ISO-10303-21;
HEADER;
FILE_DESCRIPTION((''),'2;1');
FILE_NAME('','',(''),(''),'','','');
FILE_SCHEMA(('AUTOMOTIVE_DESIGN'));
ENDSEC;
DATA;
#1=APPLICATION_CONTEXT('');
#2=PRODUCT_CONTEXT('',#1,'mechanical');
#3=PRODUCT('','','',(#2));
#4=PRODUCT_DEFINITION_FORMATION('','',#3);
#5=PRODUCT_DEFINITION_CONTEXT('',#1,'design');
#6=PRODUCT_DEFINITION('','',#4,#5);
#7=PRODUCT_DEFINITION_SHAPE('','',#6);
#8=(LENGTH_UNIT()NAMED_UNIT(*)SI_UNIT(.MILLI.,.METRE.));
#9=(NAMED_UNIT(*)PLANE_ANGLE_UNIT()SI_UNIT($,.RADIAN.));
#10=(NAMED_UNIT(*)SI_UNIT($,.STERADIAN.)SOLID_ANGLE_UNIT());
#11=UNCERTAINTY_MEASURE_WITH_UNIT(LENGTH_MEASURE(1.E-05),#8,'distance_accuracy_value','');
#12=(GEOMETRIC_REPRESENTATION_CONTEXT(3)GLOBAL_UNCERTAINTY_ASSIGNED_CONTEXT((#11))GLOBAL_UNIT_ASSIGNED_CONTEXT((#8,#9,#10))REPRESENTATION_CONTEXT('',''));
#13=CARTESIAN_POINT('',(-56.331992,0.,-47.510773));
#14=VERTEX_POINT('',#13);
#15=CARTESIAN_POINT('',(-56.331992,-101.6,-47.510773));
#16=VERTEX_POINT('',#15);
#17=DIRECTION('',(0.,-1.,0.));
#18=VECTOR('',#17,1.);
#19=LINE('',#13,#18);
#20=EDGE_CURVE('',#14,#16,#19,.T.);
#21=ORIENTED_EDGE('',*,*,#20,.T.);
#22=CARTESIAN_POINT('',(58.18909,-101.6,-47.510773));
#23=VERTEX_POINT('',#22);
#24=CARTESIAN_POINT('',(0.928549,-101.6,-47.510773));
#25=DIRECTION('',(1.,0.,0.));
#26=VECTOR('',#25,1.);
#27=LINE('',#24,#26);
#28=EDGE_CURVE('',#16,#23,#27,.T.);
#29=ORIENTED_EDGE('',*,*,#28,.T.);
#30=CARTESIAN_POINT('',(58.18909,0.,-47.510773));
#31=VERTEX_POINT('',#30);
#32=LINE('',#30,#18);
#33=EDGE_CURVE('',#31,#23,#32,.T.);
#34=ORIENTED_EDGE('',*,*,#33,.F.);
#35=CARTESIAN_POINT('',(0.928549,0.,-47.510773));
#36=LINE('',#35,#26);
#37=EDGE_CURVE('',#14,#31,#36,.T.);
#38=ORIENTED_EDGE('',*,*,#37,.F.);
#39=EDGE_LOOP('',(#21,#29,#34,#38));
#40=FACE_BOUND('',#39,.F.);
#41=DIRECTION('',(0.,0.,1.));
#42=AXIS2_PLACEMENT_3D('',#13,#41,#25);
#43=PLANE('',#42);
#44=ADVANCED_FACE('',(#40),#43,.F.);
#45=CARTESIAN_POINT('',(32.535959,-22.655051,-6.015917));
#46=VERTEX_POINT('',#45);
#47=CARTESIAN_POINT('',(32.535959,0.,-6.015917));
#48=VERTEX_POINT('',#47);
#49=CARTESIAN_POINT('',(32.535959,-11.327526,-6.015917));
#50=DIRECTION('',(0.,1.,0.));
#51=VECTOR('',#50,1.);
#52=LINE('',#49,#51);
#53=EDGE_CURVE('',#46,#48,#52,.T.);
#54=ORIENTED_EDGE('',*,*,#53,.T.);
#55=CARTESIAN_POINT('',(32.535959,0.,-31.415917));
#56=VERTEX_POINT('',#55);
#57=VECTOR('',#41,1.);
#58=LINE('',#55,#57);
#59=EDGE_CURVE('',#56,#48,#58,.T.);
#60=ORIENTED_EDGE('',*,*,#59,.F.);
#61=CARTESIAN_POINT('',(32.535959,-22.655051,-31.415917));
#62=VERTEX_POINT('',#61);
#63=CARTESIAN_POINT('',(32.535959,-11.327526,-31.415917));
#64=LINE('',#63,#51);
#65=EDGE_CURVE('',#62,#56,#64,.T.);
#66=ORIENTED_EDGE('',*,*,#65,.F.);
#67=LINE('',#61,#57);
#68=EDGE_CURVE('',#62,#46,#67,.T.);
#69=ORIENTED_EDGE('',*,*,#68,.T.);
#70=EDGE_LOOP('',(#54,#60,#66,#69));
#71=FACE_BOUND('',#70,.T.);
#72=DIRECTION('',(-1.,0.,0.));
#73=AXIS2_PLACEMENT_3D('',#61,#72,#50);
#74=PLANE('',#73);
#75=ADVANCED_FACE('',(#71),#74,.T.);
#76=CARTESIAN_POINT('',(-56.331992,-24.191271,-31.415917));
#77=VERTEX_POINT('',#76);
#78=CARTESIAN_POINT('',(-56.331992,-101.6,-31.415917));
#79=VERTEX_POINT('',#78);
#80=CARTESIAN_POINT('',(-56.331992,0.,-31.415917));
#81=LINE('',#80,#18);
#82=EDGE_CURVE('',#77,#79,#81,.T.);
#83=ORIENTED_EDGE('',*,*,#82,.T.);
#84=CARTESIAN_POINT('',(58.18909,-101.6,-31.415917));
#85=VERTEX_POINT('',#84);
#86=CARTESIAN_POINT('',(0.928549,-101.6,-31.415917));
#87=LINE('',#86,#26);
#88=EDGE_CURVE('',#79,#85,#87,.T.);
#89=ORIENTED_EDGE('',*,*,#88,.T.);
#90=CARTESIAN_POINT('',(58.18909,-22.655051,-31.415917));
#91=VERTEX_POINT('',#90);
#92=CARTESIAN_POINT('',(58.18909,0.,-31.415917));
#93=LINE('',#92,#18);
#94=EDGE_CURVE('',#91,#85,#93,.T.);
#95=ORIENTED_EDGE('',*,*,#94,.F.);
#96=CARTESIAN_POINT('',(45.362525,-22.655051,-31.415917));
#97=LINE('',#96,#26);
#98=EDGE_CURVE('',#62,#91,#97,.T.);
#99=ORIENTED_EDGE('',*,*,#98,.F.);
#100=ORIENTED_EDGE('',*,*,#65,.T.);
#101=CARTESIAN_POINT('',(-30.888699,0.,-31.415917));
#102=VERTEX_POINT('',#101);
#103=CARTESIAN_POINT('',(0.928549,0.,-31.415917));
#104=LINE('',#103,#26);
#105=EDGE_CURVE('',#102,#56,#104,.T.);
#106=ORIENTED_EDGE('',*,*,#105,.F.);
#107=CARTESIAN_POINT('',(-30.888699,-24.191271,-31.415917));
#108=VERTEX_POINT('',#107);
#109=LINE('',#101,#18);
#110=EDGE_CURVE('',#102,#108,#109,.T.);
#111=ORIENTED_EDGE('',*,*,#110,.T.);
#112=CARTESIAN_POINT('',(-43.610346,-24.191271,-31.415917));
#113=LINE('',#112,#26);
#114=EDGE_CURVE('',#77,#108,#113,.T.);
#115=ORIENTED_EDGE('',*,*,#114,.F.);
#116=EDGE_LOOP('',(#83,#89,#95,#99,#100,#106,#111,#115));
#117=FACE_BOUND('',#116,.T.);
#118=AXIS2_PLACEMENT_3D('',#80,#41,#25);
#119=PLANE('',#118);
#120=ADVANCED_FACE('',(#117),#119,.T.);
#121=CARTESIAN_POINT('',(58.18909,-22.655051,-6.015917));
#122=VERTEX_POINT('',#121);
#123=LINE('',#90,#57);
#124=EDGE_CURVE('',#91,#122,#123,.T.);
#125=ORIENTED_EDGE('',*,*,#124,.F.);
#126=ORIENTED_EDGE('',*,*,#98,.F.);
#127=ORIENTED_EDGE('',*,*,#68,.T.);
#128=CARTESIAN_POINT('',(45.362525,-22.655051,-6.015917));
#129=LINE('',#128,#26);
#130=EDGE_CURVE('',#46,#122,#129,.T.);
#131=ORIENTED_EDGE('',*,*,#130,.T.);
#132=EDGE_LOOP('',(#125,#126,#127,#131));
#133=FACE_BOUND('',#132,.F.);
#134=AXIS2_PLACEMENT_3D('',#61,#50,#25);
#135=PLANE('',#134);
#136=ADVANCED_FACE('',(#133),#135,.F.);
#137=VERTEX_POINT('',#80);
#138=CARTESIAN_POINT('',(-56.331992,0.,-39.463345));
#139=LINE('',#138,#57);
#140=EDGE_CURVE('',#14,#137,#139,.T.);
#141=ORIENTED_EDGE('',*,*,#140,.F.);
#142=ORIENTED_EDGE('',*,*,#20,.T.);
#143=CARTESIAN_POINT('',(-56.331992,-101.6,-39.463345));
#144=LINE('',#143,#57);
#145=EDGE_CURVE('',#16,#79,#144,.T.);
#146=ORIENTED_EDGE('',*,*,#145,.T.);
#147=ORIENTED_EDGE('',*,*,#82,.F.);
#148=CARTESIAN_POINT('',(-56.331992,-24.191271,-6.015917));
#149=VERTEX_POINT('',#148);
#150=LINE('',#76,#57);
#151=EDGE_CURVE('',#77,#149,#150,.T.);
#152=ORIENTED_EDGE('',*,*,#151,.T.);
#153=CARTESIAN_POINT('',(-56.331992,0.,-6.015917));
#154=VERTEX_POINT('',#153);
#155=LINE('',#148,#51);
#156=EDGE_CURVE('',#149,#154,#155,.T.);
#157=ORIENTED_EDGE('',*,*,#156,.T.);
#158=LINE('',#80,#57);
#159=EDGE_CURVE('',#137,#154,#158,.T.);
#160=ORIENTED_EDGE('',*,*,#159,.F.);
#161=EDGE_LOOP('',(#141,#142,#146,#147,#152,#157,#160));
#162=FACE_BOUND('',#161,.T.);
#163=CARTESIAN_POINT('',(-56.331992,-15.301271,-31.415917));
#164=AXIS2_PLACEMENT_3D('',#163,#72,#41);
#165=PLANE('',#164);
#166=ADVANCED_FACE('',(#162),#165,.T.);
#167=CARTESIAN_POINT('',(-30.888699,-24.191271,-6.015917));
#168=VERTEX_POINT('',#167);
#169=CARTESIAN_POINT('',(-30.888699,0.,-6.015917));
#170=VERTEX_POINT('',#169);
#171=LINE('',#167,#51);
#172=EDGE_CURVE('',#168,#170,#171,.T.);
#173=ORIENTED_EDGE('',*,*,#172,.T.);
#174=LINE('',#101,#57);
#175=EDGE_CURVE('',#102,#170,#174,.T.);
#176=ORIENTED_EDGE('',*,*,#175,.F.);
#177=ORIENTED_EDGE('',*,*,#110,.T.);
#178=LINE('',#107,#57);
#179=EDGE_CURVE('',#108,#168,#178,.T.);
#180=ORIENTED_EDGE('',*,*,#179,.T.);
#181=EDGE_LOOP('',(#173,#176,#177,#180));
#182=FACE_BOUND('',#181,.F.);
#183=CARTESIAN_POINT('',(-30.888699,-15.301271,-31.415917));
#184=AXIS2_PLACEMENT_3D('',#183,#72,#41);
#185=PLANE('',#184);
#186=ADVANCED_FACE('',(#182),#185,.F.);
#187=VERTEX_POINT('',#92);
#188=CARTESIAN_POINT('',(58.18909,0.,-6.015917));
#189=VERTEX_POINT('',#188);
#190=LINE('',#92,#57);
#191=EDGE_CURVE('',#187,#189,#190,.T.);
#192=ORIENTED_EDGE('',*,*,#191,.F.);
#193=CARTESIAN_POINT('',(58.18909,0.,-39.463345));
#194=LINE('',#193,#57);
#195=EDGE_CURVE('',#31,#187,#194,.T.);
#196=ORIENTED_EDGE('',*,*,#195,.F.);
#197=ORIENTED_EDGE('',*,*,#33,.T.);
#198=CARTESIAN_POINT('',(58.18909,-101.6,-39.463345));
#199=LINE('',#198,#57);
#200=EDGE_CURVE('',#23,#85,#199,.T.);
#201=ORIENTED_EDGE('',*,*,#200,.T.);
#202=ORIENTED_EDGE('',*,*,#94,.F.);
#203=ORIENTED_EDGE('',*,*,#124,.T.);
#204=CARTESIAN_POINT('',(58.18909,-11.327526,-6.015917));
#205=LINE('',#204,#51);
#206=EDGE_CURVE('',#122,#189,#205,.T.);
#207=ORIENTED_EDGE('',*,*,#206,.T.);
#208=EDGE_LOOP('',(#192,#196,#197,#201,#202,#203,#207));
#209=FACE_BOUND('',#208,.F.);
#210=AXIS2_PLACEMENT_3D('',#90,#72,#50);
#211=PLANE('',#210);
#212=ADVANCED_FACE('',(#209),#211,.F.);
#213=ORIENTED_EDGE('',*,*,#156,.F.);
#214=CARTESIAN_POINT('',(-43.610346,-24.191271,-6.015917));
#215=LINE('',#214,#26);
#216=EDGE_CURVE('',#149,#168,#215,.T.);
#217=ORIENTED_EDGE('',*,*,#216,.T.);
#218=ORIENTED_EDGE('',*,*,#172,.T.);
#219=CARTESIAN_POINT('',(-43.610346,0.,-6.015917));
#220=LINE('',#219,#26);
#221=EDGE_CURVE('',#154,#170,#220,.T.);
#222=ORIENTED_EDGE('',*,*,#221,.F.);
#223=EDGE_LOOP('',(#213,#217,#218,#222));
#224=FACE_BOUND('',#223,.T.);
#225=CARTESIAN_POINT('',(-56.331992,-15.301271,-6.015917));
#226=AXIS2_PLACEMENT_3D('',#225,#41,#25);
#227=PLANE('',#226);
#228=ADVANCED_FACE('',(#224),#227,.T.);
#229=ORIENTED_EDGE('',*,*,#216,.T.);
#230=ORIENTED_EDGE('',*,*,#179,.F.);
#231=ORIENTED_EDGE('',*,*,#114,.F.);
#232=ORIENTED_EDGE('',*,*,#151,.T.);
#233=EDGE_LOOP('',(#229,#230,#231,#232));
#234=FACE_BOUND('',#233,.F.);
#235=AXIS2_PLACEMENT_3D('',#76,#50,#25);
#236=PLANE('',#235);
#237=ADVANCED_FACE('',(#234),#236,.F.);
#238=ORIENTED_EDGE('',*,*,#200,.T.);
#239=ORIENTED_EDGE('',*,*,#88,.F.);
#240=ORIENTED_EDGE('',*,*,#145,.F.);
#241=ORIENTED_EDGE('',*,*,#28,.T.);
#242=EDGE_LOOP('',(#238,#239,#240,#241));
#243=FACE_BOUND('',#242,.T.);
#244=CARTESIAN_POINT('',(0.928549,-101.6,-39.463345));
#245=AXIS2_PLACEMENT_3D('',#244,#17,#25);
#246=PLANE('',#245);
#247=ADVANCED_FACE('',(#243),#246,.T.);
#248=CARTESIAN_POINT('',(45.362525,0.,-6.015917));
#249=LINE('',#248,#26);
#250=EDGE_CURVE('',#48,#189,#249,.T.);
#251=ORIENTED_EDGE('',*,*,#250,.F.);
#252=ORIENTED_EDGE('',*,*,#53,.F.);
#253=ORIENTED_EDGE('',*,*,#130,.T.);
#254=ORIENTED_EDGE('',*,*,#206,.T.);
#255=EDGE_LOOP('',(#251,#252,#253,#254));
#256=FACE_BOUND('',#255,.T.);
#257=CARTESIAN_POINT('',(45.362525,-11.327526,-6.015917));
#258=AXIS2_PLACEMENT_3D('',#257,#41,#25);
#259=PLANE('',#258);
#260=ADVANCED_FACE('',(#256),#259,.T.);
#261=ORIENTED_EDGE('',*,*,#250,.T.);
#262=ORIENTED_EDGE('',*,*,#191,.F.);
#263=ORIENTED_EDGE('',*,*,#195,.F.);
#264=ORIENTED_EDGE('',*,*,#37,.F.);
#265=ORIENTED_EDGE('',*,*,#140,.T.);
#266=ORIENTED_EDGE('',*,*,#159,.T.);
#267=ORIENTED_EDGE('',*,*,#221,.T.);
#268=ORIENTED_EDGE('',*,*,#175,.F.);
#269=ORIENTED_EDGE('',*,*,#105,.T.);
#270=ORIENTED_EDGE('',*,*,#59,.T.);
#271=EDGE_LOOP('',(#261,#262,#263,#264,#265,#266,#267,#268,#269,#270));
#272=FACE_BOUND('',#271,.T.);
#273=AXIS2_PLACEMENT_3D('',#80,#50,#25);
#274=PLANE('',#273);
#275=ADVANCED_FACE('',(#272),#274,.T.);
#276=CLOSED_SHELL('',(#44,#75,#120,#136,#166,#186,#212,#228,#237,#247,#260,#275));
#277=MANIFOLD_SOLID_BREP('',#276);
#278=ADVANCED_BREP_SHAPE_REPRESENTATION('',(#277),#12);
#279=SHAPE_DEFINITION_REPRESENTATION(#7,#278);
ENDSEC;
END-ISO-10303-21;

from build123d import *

# Parameters (mm, degrees)
F0_W     = 114.5210824907
F0_H     = 16.0948559642
F1_DEPTH = 101.6
F2_W     = 25.6531313062
F2_H     = 22.6550512016
F3_DEPTH = 25.4
F4_W     = 25.4432931542
F4_H     = 15.3012713417
F5_DEPTH = 25.4
F6_DEPTH = 8.89


with BuildPart() as f1:
    # F0 (on Front) → F1 (new body)
    with BuildSketch(Plane.XZ):
        with Locations((0.928549096, -39.4633449614)):
            Rectangle(F0_W, F0_H)
    extrude(amount=F1_DEPTH)

    # F2 (on face) → F3 (join)
    with BuildSketch(Plane.XY.offset(-31.4159169793)):
        with Locations((45.3625246882, -11.3275256008)):
            Rectangle(F2_W, F2_H)
    extrude(amount=F3_DEPTH)

    # F4 (on face) → F5 (join)
    with BuildSketch(Plane.XY.offset(-31.4159169793)):
        with Locations((-43.6103455722, -7.6506356709)):
            Rectangle(F4_W, F4_H)
    extrude(amount=F5_DEPTH)

    # F6 (add): a face of the model
    f6_faces = [f1.faces().sort_by_distance(p)[0] for p in [
        (-43.6103455722, -15.3012713417, -18.7159169793),
    ]]
    extrude(f6_faces, amount=F6_DEPTH)


solid = f1.part
